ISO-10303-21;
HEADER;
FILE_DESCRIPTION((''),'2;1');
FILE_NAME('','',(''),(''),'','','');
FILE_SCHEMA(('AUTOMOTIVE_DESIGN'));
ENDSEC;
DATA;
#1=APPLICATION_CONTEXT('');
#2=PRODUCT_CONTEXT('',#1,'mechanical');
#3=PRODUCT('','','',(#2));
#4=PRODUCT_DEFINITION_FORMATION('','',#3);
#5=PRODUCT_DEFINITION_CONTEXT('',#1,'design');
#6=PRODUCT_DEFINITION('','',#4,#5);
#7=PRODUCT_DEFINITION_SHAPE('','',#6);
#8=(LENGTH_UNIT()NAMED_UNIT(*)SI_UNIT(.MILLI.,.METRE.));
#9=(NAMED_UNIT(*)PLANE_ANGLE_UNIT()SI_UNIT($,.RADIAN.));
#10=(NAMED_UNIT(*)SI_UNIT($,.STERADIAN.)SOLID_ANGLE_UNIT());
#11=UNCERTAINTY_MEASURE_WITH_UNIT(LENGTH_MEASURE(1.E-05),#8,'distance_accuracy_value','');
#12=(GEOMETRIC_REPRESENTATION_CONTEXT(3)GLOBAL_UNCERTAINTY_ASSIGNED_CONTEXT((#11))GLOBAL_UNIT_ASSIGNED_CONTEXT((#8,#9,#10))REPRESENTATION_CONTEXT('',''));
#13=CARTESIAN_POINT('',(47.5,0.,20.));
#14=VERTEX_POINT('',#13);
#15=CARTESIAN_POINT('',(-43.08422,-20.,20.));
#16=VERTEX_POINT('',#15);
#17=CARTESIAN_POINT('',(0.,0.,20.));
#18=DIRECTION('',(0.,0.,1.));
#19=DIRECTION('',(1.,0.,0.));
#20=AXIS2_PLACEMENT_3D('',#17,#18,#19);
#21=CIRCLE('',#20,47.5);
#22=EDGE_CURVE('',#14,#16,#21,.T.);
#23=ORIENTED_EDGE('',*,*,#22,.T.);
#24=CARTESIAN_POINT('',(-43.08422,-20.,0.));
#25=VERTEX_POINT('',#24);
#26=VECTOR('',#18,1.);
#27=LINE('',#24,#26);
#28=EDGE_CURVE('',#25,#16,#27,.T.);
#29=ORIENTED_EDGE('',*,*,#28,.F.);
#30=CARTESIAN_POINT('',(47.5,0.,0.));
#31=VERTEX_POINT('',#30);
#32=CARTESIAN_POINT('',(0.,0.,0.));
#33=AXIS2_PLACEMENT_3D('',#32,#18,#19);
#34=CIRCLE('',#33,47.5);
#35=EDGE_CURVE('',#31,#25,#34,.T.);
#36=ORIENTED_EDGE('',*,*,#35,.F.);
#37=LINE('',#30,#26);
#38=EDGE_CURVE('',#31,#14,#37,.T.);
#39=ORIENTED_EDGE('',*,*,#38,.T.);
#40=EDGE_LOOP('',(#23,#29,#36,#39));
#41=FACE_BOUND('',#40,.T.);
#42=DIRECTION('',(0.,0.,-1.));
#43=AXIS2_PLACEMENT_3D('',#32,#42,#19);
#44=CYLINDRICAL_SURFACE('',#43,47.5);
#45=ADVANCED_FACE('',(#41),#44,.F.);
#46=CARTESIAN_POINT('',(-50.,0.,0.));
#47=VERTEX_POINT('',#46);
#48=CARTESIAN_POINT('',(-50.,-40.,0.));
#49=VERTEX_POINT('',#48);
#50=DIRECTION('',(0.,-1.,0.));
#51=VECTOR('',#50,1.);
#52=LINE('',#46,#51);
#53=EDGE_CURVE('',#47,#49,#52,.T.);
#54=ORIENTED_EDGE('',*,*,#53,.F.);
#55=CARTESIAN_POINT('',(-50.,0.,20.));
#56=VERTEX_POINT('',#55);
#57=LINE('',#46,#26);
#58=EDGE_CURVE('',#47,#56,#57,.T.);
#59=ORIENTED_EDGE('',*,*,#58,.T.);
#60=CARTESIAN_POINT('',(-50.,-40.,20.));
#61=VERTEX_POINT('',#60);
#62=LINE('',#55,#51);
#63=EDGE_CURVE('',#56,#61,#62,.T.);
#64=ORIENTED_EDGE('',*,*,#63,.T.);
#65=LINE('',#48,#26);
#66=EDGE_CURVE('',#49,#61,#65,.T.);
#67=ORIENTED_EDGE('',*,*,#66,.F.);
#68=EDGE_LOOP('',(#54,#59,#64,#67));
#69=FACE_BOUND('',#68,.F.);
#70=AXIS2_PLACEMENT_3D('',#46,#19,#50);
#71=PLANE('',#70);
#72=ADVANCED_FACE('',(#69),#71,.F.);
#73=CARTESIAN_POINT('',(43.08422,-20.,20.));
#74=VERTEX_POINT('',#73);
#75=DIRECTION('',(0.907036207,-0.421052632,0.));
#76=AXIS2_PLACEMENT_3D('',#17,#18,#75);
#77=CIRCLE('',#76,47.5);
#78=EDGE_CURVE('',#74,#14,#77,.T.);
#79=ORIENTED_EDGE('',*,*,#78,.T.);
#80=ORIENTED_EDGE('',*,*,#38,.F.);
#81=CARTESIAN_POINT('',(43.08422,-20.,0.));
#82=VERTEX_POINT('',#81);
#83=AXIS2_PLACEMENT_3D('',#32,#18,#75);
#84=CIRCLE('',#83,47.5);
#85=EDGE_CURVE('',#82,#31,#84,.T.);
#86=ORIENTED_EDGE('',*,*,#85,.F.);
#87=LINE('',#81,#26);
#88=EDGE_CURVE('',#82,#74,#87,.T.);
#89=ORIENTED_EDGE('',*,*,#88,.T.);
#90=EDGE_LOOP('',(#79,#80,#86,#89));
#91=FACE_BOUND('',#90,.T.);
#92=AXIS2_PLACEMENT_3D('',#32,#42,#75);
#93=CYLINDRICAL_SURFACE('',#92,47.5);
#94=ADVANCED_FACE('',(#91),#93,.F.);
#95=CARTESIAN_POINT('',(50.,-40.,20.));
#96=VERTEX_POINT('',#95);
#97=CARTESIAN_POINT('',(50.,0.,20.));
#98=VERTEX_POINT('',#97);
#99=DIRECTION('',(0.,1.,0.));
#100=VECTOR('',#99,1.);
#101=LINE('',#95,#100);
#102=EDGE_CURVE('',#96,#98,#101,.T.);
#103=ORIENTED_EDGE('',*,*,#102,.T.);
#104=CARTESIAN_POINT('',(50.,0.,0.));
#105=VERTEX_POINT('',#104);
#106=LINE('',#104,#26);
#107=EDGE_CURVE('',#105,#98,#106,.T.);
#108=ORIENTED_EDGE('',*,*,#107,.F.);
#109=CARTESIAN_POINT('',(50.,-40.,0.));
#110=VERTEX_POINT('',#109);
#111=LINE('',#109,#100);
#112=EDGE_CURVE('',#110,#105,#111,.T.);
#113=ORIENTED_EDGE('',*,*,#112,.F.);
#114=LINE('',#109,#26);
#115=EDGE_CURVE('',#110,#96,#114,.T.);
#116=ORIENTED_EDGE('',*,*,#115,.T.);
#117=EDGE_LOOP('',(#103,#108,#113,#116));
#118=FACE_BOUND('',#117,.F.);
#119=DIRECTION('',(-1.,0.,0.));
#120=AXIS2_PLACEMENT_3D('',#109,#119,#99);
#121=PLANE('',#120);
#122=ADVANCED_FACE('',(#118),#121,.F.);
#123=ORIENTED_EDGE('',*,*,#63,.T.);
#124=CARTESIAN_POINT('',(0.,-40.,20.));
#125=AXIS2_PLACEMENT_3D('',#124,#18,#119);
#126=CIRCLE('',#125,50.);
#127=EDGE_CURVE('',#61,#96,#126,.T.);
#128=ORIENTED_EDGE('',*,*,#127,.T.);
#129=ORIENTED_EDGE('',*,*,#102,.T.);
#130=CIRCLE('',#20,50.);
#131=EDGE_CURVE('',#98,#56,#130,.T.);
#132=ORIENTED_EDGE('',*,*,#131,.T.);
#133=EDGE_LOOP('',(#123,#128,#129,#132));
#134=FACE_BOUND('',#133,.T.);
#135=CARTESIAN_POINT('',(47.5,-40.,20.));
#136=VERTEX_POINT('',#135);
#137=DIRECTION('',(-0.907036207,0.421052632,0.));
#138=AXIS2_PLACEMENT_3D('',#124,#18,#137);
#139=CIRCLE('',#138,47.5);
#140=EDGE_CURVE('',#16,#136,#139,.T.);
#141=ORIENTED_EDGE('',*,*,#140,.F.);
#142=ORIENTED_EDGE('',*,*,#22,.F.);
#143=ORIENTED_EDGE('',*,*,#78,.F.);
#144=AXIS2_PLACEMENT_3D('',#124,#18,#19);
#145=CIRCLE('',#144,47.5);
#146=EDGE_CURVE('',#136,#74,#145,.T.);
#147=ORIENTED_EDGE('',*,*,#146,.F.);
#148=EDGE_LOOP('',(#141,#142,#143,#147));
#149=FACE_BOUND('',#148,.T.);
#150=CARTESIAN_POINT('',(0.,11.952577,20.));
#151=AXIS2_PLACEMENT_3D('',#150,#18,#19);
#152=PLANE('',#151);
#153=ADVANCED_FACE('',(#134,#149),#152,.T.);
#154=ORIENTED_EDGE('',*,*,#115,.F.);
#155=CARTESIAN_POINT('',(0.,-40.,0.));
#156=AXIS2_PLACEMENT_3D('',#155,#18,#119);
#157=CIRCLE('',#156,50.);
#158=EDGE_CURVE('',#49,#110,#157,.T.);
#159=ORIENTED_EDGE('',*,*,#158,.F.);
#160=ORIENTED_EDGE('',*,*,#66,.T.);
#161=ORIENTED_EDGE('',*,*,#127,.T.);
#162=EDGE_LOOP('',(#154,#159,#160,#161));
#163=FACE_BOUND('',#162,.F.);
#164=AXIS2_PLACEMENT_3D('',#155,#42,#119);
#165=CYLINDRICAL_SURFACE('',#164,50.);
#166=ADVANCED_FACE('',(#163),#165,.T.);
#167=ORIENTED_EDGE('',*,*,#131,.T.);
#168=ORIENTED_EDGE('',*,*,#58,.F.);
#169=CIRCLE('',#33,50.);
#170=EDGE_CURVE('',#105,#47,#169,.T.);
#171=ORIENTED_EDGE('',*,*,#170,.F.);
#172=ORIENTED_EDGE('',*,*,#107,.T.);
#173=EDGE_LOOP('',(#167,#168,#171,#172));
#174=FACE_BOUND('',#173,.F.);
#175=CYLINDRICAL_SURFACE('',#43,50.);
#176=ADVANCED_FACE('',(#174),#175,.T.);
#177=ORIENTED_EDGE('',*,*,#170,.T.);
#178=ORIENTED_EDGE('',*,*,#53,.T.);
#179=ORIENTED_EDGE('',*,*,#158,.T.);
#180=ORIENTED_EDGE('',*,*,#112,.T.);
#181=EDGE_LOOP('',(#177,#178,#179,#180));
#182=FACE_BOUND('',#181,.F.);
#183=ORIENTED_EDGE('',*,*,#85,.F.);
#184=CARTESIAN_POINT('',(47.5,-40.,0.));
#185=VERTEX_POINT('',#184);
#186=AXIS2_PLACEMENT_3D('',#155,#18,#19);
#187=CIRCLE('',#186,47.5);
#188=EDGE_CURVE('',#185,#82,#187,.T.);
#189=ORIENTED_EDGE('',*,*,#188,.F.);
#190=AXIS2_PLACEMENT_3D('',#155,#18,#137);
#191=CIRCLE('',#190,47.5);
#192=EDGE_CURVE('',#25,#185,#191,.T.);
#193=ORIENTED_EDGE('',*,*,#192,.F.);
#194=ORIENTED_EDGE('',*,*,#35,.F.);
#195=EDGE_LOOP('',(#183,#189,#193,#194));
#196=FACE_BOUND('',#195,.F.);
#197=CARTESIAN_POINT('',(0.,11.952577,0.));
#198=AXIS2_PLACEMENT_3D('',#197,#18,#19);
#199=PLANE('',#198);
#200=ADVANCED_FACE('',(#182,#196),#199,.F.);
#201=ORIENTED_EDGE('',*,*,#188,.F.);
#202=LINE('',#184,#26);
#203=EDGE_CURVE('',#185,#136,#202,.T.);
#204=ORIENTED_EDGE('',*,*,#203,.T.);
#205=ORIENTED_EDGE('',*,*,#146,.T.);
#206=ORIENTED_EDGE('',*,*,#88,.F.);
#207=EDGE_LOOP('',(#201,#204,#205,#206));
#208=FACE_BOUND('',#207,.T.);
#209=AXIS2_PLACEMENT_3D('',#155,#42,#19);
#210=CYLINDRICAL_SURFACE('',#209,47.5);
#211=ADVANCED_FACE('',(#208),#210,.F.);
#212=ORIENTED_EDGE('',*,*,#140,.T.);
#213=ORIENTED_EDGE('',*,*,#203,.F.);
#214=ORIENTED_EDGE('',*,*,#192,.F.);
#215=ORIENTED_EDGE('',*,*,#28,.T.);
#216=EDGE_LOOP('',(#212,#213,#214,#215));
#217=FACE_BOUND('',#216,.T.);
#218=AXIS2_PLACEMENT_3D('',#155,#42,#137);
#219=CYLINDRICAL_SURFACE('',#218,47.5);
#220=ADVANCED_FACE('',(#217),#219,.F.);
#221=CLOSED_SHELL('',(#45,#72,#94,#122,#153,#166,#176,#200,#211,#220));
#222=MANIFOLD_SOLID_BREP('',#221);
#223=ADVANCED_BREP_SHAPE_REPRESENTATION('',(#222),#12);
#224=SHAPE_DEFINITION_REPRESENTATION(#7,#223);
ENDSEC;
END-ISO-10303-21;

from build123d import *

# Parameters (mm, degrees)
F2_DEPTH = 20
F3_DEPTH = 20
F4_DEPTH = 20


with BuildPart() as f2:
    # F1 (on Top) → F2 (new body)
    with BuildSketch(Plane.XY):
        with BuildLine():
            ThreePointArc((-45.8257569496, -20), (0, -50), (45.8257569496, -20))
            ThreePointArc((45.8257569496, -20), (0, 10), (-45.8257569496, -20))
        make_face()
    extrude(amount=F2_DEPTH)

    # F1 (on Top) → F3 (join)
    with BuildSketch(Plane.XY):
        with BuildLine():
            ThreePointArc((45.8257569496, -20), (48.9453156465, -10.2154821845), (50, 0))
            ThreePointArc((50, 0), (0, 50), (-50, 0))
            ThreePointArc((-50, 0), (-48.9453156465, -10.2154821845), (-45.8257569496, -20))
            ThreePointArc((-45.8257569496, -20), (0, 10), (45.8257569496, -20))
        make_face()
        with BuildLine():
            Line((50, -40), (50, 0))
            ThreePointArc((50, 0), (48.9453156465, -10.2154821845), (45.8257569496, -20))
            ThreePointArc((45.8257569496, -20), (48.9453156465, -29.7845178155), (50, -40))
        make_face()
        with BuildLine():
            ThreePointArc((-45.8257569496, -20), (-48.9453156465, -10.2154821845), (-50, 0))
            Line((-50, 0), (-50, -40))
            ThreePointArc((-50, -40), (-48.9453156465, -29.7845178155), (-45.8257569496, -20))
        make_face()
        with BuildLine():
            ThreePointArc((50, -40), (48.9453156465, -29.7845178155), (45.8257569496, -20))
            ThreePointArc((45.8257569496, -20), (0, -50), (-45.8257569496, -20))
            ThreePointArc((-45.8257569496, -20), (-48.9453156465, -29.7845178155), (-50, -40))
            ThreePointArc((-50, -40), (0, -90), (50, -40))
        make_face()
    extrude(amount=F3_DEPTH)

    # F0 (on Top) → F4 (cut)
    with BuildSketch(Plane.XY):
        with BuildLine():
            ThreePointArc((43.084219849, -20), (46.3829195008, -10.2408387638), (47.5, 0))
            ThreePointArc((47.5, 0), (-10.2408387638, 46.3829195008), (-43.084219849, -20))
            ThreePointArc((-43.084219849, -20), (0, 7.5), (43.084219849, -20))
        make_face()
        with BuildLine():
            ThreePointArc((43.084219849, -20), (0, 7.5), (-43.084219849, -20))
            ThreePointArc((-43.084219849, -20), (0, -47.5), (43.084219849, -20))
        make_face()
        with BuildLine():
            ThreePointArc((43.084219849, -20), (0, -47.5), (-43.084219849, -20))
            ThreePointArc((-43.084219849, -20), (-10.2408387638, -86.3829195008), (47.5, -40))
            ThreePointArc((47.5, -40), (46.3829195008, -29.7591612362), (43.084219849, -20))
        make_face()
    extrude(amount=F4_DEPTH, mode=Mode.SUBTRACT)


solid = f2.part
